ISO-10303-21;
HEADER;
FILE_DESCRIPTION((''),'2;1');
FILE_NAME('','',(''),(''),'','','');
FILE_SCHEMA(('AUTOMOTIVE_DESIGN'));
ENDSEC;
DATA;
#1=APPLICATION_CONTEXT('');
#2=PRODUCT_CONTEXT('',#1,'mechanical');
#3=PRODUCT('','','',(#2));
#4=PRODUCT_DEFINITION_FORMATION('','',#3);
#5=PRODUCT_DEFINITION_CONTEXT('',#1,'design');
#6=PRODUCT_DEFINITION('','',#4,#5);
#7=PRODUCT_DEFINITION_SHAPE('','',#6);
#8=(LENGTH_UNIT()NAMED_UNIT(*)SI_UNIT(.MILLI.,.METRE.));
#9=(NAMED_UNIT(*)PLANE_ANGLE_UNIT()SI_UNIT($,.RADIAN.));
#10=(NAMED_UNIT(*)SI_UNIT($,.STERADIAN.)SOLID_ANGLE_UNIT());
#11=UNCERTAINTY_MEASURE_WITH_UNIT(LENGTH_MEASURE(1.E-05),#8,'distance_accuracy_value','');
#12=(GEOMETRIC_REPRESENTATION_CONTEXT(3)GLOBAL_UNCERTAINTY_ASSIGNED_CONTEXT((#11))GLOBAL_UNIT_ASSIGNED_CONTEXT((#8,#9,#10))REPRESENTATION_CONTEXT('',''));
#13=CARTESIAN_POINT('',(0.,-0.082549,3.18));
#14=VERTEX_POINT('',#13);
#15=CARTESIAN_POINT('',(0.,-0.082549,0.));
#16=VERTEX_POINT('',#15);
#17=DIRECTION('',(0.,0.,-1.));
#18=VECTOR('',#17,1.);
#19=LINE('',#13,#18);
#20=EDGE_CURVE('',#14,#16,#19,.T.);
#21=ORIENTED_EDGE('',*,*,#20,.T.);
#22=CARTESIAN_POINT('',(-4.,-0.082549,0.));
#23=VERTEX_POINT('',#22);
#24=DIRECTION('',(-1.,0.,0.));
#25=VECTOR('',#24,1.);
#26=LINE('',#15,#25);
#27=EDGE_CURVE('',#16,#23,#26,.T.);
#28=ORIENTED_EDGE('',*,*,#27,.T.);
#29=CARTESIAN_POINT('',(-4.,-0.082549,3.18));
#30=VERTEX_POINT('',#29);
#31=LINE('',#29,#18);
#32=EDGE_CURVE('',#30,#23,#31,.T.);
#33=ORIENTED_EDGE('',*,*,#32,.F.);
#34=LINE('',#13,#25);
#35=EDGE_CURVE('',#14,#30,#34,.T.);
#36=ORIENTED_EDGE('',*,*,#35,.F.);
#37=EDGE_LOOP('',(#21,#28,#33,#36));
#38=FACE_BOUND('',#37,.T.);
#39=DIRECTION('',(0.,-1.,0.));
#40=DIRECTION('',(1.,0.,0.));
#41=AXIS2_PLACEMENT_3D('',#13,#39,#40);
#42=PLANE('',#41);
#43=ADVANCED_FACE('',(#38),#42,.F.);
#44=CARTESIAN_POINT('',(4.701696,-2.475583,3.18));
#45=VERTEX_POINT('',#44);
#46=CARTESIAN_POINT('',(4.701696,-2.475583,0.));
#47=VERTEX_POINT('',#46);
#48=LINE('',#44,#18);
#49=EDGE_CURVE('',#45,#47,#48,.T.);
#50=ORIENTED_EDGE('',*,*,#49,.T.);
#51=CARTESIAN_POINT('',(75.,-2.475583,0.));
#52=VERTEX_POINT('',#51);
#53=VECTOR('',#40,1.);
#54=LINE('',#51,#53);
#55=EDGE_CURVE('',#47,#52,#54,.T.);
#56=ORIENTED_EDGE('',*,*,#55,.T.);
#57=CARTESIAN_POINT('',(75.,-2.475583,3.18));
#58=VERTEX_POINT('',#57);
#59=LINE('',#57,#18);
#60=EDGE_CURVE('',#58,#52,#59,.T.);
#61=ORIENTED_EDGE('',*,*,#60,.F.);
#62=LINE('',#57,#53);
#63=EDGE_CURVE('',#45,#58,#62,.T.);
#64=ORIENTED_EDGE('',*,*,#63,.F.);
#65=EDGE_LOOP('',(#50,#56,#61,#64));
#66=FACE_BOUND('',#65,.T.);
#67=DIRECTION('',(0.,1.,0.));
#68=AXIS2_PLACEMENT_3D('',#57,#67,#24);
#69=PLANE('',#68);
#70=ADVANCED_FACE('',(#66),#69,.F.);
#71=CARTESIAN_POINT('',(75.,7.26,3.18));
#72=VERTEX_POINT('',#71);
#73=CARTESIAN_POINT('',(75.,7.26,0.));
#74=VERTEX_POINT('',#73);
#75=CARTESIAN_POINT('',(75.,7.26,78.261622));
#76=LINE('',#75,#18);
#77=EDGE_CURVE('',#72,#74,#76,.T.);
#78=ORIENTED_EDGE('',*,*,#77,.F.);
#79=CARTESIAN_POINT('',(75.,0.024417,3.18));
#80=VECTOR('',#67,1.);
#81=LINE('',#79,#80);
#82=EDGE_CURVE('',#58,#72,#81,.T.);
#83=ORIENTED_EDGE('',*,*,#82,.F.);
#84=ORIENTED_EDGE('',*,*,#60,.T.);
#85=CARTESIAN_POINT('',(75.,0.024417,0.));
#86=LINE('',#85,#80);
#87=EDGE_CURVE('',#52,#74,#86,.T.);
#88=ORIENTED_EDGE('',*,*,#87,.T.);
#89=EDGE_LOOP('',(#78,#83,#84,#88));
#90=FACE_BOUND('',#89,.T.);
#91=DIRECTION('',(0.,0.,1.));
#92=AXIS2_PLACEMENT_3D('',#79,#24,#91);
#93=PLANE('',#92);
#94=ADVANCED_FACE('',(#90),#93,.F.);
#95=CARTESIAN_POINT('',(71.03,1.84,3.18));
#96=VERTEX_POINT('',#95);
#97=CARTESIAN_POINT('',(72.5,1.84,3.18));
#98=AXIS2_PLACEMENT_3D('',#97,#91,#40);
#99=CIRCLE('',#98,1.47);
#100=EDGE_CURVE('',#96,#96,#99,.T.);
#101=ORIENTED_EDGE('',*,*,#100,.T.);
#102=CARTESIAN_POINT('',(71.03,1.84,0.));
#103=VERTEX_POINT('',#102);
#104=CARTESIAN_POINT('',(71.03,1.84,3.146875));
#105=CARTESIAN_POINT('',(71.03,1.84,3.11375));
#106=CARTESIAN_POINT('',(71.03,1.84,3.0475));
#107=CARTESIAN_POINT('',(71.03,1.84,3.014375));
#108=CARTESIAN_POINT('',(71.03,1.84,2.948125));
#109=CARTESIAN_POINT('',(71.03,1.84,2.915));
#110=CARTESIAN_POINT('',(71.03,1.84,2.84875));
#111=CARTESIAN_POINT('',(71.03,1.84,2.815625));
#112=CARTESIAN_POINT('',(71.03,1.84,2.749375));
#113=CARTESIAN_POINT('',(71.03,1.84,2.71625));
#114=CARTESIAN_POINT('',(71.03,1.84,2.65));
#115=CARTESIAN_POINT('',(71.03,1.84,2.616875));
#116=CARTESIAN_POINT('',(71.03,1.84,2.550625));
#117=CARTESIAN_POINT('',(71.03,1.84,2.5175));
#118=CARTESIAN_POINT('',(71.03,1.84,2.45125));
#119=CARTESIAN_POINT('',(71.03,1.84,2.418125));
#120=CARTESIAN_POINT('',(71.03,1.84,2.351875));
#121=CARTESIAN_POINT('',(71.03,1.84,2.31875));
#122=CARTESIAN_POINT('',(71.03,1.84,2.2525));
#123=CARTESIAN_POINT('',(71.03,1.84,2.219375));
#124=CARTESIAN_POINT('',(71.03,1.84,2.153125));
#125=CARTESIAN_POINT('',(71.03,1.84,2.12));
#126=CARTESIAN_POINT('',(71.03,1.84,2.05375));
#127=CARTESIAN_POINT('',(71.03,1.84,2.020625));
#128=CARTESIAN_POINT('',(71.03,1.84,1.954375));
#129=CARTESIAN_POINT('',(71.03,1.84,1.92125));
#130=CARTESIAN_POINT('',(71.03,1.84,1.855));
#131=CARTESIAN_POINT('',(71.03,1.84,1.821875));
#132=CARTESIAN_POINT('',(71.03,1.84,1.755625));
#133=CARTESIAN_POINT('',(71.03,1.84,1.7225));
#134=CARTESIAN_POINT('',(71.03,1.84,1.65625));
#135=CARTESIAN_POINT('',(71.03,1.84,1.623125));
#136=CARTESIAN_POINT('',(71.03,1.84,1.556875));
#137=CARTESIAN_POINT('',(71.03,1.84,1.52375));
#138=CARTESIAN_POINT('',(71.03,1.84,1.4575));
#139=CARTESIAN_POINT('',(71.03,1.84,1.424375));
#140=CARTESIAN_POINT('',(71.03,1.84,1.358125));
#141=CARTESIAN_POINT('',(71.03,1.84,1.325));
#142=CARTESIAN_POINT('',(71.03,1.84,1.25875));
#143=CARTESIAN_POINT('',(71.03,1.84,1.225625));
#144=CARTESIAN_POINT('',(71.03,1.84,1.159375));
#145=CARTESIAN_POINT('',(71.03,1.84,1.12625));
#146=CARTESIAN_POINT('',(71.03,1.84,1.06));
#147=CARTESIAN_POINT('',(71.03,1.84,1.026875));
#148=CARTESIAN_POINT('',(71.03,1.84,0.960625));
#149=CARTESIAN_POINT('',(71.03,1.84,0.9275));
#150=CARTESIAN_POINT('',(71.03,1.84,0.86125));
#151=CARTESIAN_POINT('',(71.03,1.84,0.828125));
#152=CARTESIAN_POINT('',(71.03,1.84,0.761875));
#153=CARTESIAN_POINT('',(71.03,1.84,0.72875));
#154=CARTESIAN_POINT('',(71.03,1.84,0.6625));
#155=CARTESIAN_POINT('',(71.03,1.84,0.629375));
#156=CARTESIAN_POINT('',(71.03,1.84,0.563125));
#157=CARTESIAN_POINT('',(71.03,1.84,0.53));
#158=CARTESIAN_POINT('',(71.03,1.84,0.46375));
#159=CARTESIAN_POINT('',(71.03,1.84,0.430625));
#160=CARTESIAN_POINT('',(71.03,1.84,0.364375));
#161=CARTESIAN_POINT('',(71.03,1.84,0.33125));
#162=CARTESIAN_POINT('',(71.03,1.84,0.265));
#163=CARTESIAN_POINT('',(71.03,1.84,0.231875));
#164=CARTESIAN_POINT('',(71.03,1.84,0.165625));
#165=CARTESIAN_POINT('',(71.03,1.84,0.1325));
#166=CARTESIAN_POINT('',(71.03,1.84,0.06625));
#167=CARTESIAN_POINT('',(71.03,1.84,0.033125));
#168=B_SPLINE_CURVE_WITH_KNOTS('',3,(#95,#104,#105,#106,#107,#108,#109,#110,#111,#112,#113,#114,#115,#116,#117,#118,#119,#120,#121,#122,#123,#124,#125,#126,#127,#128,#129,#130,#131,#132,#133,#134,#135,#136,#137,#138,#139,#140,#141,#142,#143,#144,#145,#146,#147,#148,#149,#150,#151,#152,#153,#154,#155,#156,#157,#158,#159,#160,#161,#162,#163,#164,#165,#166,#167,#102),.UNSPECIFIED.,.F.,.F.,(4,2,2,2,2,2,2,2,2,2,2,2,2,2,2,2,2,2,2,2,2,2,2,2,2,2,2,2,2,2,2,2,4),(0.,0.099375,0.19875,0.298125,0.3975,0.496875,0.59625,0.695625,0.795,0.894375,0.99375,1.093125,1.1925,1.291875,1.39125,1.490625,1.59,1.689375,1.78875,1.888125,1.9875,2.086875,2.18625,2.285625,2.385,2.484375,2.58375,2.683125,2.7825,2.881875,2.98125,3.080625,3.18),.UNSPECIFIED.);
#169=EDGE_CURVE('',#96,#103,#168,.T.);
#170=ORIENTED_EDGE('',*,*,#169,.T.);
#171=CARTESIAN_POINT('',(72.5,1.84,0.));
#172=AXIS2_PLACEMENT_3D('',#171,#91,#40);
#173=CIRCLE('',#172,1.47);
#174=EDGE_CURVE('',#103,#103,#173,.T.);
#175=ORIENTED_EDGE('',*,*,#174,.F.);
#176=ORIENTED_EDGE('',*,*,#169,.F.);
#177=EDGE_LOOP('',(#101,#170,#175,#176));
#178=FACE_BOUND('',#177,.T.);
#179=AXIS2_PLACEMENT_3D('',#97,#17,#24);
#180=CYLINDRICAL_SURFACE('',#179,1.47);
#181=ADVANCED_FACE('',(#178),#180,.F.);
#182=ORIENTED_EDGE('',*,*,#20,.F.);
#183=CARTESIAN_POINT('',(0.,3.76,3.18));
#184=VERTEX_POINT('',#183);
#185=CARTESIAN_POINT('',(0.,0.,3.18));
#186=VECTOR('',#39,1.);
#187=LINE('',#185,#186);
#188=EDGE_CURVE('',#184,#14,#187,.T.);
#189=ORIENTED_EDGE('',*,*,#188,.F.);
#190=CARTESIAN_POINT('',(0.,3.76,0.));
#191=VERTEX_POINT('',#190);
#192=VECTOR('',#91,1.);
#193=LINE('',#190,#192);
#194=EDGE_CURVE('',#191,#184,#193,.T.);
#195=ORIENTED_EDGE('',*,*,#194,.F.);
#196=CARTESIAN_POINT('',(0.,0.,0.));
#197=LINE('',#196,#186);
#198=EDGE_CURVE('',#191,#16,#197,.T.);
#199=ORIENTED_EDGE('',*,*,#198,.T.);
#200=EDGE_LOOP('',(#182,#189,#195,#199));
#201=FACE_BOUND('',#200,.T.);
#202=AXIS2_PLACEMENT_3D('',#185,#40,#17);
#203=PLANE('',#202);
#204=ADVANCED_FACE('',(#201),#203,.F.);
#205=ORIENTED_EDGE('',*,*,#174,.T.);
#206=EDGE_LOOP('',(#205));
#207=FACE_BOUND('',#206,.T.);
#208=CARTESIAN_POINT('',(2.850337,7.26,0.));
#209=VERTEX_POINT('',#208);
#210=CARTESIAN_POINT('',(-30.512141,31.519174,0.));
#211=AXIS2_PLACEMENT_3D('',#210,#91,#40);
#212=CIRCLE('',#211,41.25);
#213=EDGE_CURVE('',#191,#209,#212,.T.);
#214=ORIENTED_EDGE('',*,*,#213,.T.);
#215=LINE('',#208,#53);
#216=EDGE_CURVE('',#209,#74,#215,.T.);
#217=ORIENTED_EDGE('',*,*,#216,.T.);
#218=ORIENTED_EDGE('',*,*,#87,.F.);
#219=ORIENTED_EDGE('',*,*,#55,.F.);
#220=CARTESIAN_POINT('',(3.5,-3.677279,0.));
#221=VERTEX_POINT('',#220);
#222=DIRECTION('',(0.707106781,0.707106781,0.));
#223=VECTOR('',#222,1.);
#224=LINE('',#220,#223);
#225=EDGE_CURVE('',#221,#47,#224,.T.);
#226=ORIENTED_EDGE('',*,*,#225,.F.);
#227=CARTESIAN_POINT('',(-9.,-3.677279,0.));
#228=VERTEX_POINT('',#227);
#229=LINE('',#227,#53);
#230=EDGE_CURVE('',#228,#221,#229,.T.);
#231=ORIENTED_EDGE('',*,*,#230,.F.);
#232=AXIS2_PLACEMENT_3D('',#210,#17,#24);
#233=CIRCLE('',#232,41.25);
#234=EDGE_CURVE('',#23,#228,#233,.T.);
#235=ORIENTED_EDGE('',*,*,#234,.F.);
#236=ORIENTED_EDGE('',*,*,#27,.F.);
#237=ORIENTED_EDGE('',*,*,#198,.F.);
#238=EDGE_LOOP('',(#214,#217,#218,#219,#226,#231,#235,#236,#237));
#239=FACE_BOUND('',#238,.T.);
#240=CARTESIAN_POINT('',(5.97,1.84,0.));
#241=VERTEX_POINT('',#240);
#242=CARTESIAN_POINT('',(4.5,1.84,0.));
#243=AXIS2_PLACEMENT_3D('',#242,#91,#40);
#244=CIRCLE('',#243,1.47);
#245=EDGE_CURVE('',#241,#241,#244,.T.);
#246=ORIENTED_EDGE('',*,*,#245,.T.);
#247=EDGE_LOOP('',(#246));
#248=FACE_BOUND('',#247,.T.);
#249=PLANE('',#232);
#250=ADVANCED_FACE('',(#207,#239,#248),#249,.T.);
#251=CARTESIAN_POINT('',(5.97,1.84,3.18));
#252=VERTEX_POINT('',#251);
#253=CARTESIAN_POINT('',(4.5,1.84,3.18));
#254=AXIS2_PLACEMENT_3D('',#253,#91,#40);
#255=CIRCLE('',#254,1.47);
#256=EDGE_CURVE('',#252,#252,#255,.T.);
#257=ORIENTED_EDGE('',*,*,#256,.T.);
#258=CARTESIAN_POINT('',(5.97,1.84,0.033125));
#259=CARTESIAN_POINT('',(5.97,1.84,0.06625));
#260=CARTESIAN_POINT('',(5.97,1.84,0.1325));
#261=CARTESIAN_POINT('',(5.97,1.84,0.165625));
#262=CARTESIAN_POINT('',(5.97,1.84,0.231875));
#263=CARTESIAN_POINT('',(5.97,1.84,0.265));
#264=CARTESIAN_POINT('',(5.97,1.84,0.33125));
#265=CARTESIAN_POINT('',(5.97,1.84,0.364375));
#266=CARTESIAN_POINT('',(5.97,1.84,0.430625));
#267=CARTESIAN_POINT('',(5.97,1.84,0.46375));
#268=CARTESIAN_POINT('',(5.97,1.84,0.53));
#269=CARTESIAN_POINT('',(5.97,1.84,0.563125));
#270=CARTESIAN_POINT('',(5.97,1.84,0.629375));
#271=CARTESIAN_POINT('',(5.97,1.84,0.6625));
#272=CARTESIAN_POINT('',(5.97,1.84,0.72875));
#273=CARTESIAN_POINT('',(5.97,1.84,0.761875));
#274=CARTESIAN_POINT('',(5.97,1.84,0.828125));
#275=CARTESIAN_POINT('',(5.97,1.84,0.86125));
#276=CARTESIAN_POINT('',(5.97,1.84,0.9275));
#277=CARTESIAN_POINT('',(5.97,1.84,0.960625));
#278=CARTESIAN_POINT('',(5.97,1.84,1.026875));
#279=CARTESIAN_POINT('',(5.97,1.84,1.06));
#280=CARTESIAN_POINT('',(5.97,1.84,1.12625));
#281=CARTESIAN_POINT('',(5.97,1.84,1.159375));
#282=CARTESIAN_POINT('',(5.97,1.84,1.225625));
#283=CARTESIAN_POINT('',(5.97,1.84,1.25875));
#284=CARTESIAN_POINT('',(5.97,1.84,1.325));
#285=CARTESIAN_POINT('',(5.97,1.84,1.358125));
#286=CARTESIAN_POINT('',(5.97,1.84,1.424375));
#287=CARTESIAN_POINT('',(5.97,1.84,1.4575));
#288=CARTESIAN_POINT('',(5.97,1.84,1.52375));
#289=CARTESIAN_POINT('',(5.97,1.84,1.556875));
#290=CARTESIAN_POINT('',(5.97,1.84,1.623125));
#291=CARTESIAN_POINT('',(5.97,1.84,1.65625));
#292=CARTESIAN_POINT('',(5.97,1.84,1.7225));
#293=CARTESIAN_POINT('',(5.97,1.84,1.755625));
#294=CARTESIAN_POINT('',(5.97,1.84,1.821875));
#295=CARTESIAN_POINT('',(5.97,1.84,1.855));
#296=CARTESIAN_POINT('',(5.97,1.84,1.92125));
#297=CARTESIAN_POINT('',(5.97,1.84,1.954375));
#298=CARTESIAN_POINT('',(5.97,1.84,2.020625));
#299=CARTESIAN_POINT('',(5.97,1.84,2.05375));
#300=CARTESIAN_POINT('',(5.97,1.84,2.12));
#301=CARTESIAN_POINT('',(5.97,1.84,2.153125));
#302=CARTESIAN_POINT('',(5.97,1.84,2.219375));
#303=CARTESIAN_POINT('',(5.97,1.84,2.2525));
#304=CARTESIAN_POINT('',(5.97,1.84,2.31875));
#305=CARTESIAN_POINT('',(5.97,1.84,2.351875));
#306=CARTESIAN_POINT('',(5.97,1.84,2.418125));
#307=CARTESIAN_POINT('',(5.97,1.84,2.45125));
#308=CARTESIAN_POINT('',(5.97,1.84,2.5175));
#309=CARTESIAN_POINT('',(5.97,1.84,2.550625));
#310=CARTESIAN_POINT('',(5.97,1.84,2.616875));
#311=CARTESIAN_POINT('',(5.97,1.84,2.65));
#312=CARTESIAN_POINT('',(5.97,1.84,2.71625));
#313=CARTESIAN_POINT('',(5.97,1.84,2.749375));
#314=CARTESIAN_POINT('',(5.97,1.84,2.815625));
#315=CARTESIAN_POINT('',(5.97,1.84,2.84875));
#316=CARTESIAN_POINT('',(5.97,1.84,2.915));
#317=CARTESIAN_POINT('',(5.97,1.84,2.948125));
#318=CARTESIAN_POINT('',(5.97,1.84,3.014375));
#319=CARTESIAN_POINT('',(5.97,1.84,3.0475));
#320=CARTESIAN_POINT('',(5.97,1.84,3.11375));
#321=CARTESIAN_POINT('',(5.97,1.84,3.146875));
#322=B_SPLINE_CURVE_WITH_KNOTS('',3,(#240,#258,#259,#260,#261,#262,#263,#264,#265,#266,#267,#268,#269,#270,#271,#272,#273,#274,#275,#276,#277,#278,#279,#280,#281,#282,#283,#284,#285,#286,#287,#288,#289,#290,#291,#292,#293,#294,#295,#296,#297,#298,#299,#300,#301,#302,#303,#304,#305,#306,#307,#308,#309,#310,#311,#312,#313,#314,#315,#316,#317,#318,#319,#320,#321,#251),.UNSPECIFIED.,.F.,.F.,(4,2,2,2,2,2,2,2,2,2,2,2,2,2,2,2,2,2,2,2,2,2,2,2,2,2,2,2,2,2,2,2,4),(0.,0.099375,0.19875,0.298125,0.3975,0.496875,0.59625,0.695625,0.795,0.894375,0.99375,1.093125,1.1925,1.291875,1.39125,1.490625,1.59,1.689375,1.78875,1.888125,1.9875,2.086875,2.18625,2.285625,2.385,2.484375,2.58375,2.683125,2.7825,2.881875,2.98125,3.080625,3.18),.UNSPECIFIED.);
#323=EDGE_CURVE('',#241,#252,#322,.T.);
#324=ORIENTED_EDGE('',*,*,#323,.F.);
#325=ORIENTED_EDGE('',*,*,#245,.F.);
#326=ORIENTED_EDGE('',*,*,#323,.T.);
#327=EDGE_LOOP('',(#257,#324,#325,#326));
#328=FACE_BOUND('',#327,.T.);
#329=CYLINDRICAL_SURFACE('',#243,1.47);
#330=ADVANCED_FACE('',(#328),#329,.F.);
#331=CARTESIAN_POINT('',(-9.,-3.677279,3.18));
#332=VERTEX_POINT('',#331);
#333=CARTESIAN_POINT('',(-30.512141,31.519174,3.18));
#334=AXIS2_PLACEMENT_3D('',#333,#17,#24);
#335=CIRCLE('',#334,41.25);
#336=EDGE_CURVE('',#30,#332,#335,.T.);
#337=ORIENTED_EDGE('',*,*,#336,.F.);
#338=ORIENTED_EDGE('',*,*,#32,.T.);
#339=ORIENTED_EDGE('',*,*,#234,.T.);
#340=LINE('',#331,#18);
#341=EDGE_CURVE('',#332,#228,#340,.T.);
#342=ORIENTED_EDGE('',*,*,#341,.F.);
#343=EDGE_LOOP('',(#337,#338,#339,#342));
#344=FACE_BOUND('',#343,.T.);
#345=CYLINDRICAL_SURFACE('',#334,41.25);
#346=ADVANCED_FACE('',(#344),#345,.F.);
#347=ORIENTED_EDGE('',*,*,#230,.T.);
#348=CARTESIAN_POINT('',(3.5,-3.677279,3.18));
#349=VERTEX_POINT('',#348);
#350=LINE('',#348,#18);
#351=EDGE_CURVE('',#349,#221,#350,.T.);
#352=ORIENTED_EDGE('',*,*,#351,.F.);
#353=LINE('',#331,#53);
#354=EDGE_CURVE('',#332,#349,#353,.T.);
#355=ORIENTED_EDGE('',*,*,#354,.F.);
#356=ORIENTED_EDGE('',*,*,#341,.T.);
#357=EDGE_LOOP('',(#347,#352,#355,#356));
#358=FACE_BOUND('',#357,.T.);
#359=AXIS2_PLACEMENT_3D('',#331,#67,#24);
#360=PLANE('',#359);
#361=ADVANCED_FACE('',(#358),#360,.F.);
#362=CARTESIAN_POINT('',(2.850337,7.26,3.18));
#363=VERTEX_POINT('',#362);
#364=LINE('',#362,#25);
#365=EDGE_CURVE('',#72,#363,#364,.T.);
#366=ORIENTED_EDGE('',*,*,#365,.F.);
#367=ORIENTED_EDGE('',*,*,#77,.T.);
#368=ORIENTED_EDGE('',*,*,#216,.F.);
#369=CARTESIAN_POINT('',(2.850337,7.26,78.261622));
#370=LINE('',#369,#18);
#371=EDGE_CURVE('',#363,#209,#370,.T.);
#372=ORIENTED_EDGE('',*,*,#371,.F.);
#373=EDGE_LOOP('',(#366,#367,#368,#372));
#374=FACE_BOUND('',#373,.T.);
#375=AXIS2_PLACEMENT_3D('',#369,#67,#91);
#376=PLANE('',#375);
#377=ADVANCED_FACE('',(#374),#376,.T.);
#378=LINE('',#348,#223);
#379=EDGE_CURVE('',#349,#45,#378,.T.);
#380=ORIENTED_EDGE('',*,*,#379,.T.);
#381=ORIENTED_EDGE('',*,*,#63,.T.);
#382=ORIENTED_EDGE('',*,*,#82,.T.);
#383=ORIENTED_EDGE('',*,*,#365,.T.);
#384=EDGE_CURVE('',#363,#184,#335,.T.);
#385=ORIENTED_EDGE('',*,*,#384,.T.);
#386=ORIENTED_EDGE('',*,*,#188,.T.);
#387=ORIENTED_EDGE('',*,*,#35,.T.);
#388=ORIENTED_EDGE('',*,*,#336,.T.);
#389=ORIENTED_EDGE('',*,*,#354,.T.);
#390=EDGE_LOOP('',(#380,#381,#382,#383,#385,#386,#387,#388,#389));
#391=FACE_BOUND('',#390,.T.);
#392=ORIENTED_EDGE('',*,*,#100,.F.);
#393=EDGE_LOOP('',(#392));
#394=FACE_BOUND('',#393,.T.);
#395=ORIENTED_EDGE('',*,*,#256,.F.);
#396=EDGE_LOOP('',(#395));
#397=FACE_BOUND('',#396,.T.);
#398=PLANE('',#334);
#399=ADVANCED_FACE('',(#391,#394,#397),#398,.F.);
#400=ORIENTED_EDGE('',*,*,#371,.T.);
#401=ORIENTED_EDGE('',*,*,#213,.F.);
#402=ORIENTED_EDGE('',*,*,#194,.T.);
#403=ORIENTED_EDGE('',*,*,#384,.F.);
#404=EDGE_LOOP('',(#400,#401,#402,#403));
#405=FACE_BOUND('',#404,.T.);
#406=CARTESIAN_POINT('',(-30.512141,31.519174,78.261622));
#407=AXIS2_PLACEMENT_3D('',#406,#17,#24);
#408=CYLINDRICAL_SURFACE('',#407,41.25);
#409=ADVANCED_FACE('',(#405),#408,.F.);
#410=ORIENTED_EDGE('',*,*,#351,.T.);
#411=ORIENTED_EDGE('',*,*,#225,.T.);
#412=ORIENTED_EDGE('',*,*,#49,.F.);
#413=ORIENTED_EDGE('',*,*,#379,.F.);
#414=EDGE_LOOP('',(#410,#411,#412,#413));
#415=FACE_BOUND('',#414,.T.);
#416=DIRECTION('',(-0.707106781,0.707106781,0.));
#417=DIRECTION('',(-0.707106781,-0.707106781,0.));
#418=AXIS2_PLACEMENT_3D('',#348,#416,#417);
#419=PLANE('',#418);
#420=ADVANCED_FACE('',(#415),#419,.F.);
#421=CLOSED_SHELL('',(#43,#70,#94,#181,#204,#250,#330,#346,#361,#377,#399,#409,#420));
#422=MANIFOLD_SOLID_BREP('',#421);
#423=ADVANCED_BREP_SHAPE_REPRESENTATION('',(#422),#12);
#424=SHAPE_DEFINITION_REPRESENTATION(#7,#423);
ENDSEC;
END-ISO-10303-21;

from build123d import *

# Parameters (mm, degrees)
SKETCH1_R           = 1.47
BOSS_EXTRUDE1_DEPTH = 3.18
SKETCH3_R           = 1.47
CUT_EXTRUDE1_DEPTH  = 76.165537316
CUT_EXTRUDE2_START  = -0.08
SKETCH4_W           = 75
SKETCH4_H           = 3.18
CUT_EXTRUDE2_DEPTH  = 0.08
BOSS_EXTRUDE2_DEPTH = 3.18


with BuildPart() as part:
    # Sketch1 → Boss-Extrude1 (new body)
    with BuildSketch(Plane.XY):
        with BuildLine():
            Line((0, 0), (0, 3.84))
            Line((0, 3.84), (75, 3.84))
            Line((75, 3.84), (75, 0.02441688))
            Line((75, 0.02441688), (75, -2.47558312))
            Line((75, -2.47558312), (4.70169557, -2.47558312))
            Line((4.70169557, -2.47558312), (3.5, -3.67727869))
            Line((3.5, -3.67727869), (-9, -3.67727869))
            ThreePointArc((-9, -3.67727869), (-6.432825468, -1.973348375), (-4, -0.082548586))
            Line((-4, -0.082548586), (0, -0.082548586))
            Line((0, -0.082548586), (0, 0))
        make_face()
        with Locations(Location((72.5, 1.84, 0), (0, 0, 180))):
            Circle(SKETCH1_R, mode=Mode.SUBTRACT)
    extrude(amount=BOSS_EXTRUDE1_DEPTH)

    # Sketch3 → Cut-Extrude1 (cut, through all)
    with BuildSketch(Plane.XY.offset(3.18)):
        with Locations((4.5, 1.84)):
            Circle(SKETCH3_R)
    extrude(amount=-CUT_EXTRUDE1_DEPTH, mode=Mode.SUBTRACT)

    # Sketch4 → Cut-Extrude2 (cut)
    with BuildSketch(Plane(origin=(0, 3.84, 0), x_dir=(1, 0, 0), z_dir=(0, 1, 0)).offset(CUT_EXTRUDE2_START)):
        with Locations((37.5, -1.59)):
            Rectangle(SKETCH4_W, SKETCH4_H)
    extrude(amount=CUT_EXTRUDE2_DEPTH, mode=Mode.SUBTRACT)

    # Sketch6 → Boss-Extrude2 (add)
    with BuildSketch(Plane(origin=(0, 0, 0), x_dir=(-1, 0, 0), z_dir=(0, 0, -1))):
        with BuildLine():
            Line((-2.850337408, 7.26), (-75, 7.26))
            Line((-75, 7.26), (-75, 3.76))
            Line((-75, 3.76), (0, 3.76))
            ThreePointArc((0, 3.76), (-1.47307826, 5.470983314), (-2.850337408, 7.26))
        make_face()
    extrude(amount=-BOSS_EXTRUDE2_DEPTH)


solid = part.part
